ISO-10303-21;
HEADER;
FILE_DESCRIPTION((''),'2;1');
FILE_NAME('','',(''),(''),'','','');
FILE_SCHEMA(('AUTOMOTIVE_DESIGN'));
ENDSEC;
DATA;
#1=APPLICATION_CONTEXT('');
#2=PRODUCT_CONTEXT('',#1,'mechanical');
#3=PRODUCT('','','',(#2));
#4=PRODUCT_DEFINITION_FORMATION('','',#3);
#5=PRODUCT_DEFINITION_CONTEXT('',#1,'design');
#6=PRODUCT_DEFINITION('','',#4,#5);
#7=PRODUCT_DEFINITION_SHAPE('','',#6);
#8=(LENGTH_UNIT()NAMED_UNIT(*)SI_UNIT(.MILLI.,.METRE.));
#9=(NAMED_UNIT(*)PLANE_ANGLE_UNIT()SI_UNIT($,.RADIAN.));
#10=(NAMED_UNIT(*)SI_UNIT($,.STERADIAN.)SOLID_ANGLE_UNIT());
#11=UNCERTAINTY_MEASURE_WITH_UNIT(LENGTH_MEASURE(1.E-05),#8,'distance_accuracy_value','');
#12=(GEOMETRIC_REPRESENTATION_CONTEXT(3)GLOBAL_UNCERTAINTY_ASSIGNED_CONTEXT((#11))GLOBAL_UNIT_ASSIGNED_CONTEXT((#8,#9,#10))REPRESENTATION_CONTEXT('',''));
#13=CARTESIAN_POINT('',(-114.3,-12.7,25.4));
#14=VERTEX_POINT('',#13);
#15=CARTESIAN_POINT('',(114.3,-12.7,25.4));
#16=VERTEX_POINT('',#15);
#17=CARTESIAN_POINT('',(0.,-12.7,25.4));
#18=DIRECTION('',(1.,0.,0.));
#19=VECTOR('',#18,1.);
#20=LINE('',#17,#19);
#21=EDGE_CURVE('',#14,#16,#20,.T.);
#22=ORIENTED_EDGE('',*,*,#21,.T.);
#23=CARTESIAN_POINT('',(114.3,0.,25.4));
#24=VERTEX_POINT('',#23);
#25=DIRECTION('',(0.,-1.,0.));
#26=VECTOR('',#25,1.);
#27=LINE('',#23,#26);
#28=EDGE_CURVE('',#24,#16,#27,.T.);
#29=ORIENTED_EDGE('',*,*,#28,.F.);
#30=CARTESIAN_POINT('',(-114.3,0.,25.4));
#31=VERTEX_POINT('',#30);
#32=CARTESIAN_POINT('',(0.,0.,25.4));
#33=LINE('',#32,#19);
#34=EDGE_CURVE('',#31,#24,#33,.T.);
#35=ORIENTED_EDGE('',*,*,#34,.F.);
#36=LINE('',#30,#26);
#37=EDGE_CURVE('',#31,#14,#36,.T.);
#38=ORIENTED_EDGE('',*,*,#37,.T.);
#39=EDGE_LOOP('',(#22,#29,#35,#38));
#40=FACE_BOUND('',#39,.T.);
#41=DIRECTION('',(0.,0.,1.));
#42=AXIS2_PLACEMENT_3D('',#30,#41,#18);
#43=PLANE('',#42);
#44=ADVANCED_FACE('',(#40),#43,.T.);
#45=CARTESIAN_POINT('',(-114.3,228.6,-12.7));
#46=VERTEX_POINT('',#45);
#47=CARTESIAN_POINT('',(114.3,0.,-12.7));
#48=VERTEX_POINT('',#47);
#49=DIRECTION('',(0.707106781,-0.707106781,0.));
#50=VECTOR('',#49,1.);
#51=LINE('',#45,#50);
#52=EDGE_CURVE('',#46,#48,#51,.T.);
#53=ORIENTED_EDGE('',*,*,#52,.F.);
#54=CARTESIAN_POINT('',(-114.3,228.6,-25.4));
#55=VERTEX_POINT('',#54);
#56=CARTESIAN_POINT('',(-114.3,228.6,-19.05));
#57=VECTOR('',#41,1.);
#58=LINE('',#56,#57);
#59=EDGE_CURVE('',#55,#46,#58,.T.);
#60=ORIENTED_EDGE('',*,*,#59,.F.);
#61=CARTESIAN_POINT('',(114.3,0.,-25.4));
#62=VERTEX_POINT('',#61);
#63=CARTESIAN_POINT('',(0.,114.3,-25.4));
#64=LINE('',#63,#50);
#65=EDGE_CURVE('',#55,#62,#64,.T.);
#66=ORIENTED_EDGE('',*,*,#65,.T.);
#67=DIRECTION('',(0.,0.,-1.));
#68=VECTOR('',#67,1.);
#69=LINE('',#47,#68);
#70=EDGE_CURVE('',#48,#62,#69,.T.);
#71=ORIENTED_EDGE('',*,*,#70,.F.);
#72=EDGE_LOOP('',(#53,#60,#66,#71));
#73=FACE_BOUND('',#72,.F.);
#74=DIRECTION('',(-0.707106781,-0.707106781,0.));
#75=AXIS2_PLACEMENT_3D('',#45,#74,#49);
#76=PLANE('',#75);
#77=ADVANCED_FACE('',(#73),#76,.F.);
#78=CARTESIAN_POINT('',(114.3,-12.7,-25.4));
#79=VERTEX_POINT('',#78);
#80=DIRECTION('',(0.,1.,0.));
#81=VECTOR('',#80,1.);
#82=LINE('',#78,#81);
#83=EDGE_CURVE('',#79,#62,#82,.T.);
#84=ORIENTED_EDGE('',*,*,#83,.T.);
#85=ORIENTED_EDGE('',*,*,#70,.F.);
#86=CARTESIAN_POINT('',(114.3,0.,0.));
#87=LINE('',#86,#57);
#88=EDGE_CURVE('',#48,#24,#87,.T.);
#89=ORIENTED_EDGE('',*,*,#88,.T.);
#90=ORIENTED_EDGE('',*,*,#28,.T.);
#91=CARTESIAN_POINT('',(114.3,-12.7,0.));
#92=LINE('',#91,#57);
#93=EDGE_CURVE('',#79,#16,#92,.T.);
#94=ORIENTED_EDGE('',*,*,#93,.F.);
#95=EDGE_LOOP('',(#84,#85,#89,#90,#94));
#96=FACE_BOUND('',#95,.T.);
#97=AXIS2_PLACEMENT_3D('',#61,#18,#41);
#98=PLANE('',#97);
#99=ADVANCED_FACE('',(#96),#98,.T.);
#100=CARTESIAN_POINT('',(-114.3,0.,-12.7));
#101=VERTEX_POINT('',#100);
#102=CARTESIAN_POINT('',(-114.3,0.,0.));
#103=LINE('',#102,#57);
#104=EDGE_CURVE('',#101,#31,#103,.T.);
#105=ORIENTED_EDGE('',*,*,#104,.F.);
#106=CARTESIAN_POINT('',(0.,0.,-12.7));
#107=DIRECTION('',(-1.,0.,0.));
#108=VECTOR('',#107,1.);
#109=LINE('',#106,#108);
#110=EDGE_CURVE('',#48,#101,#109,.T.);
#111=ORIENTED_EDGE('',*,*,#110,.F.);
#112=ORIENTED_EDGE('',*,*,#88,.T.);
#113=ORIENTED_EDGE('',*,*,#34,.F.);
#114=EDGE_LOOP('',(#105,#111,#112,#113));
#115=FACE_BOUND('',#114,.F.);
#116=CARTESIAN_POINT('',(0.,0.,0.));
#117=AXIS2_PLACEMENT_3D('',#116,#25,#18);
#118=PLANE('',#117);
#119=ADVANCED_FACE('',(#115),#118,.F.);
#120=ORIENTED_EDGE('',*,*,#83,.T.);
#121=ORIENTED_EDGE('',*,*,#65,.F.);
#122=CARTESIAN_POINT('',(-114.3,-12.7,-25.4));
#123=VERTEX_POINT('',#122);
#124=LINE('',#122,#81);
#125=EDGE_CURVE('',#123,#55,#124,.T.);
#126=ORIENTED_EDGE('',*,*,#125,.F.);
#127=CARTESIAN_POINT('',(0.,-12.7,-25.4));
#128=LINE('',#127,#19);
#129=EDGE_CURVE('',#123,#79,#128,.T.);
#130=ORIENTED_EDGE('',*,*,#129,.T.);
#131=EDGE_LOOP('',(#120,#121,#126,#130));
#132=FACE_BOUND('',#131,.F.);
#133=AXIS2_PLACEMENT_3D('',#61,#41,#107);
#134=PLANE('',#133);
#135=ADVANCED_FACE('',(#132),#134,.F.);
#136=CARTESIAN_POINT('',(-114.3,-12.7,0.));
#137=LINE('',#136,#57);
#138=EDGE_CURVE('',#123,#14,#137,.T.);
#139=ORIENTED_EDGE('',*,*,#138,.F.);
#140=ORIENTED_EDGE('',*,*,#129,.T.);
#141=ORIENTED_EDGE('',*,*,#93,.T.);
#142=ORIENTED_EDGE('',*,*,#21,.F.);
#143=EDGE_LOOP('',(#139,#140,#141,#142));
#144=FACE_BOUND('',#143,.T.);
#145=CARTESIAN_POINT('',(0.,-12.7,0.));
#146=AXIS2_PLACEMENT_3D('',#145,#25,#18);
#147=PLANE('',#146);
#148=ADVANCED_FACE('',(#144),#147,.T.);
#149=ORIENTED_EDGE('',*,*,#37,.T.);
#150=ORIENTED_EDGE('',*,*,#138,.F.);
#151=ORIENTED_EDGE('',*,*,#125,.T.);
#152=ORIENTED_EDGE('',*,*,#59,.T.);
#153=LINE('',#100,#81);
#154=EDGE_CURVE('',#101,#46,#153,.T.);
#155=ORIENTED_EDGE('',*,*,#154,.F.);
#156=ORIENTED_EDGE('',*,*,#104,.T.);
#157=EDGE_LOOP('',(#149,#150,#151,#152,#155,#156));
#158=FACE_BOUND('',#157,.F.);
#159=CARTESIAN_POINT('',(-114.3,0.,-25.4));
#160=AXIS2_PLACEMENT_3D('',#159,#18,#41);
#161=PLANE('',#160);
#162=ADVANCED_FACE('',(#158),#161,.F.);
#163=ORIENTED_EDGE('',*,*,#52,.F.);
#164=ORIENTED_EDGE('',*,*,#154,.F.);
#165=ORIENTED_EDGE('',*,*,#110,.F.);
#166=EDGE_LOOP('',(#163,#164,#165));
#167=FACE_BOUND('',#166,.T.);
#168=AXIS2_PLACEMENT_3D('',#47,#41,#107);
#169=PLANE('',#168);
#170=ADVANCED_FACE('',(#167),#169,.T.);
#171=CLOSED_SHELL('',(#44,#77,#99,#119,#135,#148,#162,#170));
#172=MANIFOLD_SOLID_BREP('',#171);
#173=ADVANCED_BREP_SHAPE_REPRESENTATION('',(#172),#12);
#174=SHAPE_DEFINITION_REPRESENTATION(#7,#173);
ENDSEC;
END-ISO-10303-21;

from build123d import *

# Parameters (mm, degrees)
F0_W     = 228.6
F0_H     = 50.8
F1_DEPTH = 12.7
F2_W     = 228.6
F2_H     = 12.7
F3_DEPTH = 228.6
F5_DEPTH = 25.4


with BuildPart() as f1:
    # F0 (on Front) → F1 (new body)
    with BuildSketch(Plane.XZ):
        Rectangle(F0_W, F0_H)
    extrude(amount=F1_DEPTH)

    # F2 (on face) → F3 (join)
    with BuildSketch(Plane(origin=(0, 0, 0), x_dir=(-1, 0, 0), z_dir=(0, 1, 0))):
        with Locations((0, -19.05)):
            Rectangle(F2_W, F2_H)
    extrude(amount=F3_DEPTH)

    # F4 (on face) → F5 (cut)
    with BuildSketch(Plane.XY.offset(-12.7)):
        Polygon((114.3, 228.6), (-114.3, 228.6), (114.3, 0), align=None)
    extrude(amount=-F5_DEPTH, mode=Mode.SUBTRACT)


solid = f1.part
